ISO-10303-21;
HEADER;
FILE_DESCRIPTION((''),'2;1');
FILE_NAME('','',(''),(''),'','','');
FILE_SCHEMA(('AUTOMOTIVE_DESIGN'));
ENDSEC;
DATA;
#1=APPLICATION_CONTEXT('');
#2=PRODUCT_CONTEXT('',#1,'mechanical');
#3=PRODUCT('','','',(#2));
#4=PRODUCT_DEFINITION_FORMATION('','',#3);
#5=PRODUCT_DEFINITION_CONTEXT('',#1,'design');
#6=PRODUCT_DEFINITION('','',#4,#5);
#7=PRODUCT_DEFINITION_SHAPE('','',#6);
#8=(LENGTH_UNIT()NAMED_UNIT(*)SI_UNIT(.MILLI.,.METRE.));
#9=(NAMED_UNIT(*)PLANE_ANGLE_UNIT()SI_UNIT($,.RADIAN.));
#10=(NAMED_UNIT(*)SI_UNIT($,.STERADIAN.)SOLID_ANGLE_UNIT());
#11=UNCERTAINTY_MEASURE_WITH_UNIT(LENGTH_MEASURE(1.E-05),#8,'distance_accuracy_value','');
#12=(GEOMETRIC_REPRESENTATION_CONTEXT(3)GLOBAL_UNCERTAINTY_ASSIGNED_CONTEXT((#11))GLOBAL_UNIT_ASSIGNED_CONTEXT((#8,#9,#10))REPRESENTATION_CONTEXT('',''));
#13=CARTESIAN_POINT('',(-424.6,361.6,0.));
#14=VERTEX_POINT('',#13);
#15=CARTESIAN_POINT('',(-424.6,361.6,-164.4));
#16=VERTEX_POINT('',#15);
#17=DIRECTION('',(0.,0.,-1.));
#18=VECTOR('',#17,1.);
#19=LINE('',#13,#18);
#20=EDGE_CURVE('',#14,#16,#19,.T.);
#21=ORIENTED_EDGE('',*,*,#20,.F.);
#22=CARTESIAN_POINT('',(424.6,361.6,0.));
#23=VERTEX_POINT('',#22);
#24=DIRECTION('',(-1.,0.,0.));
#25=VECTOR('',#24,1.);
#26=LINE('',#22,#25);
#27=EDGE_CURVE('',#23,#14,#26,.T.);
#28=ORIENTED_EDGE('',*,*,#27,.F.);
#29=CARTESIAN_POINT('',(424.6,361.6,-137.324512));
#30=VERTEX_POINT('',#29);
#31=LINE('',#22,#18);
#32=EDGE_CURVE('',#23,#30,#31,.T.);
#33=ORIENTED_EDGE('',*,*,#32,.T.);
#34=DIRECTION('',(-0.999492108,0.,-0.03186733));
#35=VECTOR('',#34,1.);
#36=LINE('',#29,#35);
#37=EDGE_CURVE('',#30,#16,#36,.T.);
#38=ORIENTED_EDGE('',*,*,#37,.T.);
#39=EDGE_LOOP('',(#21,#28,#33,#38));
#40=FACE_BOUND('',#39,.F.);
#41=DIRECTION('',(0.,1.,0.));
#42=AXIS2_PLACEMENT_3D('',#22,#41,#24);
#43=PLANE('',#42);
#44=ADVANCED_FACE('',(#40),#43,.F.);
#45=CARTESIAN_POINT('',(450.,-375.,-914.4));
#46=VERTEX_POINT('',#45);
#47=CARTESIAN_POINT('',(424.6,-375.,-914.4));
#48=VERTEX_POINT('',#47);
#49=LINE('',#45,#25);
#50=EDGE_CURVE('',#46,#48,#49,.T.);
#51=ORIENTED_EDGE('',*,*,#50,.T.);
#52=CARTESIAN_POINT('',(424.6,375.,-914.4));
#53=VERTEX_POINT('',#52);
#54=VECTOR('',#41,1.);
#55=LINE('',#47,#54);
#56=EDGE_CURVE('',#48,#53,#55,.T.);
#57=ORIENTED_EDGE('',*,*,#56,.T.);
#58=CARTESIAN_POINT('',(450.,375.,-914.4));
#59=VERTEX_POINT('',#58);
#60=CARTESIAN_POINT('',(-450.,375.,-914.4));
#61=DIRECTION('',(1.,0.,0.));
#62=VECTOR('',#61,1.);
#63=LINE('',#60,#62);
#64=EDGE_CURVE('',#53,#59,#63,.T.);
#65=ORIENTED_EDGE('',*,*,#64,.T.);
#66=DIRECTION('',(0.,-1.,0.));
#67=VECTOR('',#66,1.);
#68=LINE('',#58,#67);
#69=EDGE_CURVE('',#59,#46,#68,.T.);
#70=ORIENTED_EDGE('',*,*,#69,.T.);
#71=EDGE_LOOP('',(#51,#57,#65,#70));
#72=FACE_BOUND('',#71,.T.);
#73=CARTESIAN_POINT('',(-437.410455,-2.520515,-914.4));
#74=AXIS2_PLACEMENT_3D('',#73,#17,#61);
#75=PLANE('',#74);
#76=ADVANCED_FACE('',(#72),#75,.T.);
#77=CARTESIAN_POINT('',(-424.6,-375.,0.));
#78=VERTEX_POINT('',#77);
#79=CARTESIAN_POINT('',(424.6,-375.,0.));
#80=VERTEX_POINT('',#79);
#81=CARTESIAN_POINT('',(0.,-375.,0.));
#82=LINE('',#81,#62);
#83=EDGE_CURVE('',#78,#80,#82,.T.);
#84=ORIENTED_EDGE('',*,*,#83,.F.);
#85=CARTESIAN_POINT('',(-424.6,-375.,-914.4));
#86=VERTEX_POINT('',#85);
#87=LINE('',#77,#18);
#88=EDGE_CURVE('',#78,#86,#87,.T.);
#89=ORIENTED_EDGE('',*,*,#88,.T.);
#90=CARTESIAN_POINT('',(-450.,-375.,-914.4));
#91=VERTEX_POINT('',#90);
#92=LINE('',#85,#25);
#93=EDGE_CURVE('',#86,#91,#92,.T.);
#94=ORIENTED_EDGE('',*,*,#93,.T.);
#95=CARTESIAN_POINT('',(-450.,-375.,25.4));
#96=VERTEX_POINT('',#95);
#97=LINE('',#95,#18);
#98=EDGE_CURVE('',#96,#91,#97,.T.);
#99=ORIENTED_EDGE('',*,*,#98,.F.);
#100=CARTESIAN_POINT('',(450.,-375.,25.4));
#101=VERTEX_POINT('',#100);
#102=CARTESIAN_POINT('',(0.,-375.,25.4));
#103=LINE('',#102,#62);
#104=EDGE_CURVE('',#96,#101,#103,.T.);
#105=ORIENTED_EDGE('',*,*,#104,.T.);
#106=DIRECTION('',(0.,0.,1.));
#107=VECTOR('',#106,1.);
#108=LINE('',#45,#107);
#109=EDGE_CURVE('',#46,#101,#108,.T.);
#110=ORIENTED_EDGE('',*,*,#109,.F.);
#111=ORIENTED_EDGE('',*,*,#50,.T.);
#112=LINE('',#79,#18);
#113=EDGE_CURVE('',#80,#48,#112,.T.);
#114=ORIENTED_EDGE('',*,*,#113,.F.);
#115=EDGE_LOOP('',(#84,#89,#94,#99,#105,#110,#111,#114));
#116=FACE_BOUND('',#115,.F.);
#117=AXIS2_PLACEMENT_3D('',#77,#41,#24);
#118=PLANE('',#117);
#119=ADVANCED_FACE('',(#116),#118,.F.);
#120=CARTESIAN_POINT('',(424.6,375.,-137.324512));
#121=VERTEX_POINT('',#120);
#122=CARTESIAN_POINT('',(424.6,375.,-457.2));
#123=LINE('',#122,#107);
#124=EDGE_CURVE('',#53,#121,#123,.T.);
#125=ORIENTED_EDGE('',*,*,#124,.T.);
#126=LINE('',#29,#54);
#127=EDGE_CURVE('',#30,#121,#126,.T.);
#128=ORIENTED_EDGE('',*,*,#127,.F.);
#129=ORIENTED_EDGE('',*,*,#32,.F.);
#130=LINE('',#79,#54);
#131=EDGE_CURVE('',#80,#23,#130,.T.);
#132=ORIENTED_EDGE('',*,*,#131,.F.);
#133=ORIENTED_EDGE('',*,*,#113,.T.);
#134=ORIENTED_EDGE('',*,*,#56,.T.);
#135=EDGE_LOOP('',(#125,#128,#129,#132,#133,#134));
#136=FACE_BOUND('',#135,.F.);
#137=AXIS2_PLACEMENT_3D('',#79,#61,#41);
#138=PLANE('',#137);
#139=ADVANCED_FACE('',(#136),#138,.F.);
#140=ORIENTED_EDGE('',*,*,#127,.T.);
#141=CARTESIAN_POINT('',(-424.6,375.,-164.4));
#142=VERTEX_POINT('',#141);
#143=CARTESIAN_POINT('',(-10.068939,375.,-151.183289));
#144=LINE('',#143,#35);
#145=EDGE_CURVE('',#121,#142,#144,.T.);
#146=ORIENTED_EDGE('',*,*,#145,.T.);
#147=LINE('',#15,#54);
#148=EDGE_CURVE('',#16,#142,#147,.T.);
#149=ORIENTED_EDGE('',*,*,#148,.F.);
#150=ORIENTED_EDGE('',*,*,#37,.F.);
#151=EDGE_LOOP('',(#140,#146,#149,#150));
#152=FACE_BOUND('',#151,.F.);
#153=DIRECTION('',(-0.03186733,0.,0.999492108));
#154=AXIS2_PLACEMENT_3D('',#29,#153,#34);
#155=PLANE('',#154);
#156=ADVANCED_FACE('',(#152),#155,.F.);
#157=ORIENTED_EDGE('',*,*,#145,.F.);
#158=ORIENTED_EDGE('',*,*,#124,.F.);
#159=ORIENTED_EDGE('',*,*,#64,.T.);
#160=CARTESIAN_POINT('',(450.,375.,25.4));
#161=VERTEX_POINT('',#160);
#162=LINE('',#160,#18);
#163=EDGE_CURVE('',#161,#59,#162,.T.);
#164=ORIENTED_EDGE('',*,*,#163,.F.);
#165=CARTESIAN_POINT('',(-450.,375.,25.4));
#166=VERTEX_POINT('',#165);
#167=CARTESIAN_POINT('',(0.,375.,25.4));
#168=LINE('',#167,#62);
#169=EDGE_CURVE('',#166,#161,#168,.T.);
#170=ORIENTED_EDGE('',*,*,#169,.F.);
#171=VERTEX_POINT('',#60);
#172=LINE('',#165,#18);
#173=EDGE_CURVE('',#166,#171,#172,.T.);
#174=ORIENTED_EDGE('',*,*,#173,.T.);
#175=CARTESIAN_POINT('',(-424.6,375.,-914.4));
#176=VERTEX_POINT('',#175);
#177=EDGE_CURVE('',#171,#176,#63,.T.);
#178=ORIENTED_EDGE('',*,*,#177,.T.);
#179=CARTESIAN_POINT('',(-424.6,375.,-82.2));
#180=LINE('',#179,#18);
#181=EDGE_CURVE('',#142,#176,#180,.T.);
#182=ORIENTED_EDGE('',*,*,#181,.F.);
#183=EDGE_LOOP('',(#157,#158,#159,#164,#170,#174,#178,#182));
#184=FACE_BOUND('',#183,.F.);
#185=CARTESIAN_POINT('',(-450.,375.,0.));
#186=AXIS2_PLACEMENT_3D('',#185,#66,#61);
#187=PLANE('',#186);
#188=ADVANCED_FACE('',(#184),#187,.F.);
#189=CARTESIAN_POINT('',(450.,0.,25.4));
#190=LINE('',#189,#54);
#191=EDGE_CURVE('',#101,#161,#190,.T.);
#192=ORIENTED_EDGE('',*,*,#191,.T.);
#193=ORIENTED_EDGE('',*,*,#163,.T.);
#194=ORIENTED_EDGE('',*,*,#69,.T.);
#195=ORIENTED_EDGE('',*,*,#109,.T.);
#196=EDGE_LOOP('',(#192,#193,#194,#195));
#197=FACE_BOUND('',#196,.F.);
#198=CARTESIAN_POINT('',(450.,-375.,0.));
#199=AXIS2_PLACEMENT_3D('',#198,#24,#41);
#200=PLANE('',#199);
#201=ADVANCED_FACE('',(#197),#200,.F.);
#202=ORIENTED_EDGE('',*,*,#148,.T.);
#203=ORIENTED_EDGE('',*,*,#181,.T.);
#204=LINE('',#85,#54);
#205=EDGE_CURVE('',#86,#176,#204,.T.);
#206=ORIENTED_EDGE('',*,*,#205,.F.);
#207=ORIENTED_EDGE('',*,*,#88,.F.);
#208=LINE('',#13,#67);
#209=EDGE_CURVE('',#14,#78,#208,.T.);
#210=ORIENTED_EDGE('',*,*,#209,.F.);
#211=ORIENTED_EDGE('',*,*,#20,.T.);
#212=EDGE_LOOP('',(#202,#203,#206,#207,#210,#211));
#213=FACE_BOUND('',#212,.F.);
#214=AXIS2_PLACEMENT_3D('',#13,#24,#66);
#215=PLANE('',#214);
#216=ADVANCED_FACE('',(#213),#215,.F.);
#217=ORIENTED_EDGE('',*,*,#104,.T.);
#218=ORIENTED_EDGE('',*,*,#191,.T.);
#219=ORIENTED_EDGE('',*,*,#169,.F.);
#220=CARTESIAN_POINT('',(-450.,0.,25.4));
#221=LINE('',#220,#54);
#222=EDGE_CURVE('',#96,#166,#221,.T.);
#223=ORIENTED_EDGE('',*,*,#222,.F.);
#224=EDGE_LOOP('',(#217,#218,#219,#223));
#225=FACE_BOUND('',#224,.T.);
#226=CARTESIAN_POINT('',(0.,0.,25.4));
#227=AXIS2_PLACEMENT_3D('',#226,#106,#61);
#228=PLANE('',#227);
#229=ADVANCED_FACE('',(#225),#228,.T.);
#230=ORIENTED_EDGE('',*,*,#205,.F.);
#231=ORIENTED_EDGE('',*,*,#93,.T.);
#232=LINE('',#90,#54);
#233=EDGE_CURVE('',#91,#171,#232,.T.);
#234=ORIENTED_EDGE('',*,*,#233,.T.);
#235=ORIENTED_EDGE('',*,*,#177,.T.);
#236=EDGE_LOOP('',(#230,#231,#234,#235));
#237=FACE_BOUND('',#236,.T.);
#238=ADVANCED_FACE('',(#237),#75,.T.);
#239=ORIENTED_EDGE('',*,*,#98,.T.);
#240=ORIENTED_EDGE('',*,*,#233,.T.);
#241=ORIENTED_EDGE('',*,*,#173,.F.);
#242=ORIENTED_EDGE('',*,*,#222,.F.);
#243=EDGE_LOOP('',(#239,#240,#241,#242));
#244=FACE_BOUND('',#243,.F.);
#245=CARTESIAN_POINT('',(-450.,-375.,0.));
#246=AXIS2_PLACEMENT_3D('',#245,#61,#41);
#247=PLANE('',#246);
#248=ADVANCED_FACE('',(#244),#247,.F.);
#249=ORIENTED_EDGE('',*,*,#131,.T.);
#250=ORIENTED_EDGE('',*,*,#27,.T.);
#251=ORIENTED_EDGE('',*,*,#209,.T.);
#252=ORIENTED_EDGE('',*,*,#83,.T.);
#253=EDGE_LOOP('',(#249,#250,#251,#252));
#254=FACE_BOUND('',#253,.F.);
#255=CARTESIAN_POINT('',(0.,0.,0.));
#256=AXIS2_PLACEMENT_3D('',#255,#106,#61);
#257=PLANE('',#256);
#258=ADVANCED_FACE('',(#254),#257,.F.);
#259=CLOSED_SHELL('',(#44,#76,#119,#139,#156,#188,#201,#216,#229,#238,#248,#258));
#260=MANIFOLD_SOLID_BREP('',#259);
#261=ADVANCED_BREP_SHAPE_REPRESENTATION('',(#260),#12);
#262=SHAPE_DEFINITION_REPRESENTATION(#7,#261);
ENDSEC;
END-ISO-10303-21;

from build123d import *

# Parameters (mm, degrees)
F0_W     = 900
F0_H     = 750
F1_DEPTH = 25.4
F3_DEPTH = 914.4
F5_DEPTH = 25.4


with BuildPart() as f1:
    # F0 (on Top) → F1 (new body)
    with BuildSketch(Plane.XY):
        Rectangle(F0_W, F0_H)
    extrude(amount=F1_DEPTH)

    # F2 (on face) → F3 (join)
    with BuildSketch(Plane(origin=(0, 0, 0), x_dir=(1, 0, 0), z_dir=(0, 0, -1))):
        Polygon((-424.6, 375), (-450, 375), (-450, -375), (-424.6, -361.6), align=None)
        Polygon((-424.6, -361.6), (-450, -375), (450, -375), (424.6, -361.6), align=None)
        Polygon((424.6, -361.6), (450, -375), (450, 375), (424.6, 375), align=None)
    extrude(amount=F3_DEPTH)

    # F4 (on face) → F5 (cut)
    with BuildSketch(Plane.XZ.offset(-361.6)):
        Polygon((424.6, -137.324512), (-424.6, -164.4), (-424.6, -914.4), (424.6, -914.4), align=None)
    extrude(amount=-F5_DEPTH, mode=Mode.SUBTRACT)


solid = f1.part
